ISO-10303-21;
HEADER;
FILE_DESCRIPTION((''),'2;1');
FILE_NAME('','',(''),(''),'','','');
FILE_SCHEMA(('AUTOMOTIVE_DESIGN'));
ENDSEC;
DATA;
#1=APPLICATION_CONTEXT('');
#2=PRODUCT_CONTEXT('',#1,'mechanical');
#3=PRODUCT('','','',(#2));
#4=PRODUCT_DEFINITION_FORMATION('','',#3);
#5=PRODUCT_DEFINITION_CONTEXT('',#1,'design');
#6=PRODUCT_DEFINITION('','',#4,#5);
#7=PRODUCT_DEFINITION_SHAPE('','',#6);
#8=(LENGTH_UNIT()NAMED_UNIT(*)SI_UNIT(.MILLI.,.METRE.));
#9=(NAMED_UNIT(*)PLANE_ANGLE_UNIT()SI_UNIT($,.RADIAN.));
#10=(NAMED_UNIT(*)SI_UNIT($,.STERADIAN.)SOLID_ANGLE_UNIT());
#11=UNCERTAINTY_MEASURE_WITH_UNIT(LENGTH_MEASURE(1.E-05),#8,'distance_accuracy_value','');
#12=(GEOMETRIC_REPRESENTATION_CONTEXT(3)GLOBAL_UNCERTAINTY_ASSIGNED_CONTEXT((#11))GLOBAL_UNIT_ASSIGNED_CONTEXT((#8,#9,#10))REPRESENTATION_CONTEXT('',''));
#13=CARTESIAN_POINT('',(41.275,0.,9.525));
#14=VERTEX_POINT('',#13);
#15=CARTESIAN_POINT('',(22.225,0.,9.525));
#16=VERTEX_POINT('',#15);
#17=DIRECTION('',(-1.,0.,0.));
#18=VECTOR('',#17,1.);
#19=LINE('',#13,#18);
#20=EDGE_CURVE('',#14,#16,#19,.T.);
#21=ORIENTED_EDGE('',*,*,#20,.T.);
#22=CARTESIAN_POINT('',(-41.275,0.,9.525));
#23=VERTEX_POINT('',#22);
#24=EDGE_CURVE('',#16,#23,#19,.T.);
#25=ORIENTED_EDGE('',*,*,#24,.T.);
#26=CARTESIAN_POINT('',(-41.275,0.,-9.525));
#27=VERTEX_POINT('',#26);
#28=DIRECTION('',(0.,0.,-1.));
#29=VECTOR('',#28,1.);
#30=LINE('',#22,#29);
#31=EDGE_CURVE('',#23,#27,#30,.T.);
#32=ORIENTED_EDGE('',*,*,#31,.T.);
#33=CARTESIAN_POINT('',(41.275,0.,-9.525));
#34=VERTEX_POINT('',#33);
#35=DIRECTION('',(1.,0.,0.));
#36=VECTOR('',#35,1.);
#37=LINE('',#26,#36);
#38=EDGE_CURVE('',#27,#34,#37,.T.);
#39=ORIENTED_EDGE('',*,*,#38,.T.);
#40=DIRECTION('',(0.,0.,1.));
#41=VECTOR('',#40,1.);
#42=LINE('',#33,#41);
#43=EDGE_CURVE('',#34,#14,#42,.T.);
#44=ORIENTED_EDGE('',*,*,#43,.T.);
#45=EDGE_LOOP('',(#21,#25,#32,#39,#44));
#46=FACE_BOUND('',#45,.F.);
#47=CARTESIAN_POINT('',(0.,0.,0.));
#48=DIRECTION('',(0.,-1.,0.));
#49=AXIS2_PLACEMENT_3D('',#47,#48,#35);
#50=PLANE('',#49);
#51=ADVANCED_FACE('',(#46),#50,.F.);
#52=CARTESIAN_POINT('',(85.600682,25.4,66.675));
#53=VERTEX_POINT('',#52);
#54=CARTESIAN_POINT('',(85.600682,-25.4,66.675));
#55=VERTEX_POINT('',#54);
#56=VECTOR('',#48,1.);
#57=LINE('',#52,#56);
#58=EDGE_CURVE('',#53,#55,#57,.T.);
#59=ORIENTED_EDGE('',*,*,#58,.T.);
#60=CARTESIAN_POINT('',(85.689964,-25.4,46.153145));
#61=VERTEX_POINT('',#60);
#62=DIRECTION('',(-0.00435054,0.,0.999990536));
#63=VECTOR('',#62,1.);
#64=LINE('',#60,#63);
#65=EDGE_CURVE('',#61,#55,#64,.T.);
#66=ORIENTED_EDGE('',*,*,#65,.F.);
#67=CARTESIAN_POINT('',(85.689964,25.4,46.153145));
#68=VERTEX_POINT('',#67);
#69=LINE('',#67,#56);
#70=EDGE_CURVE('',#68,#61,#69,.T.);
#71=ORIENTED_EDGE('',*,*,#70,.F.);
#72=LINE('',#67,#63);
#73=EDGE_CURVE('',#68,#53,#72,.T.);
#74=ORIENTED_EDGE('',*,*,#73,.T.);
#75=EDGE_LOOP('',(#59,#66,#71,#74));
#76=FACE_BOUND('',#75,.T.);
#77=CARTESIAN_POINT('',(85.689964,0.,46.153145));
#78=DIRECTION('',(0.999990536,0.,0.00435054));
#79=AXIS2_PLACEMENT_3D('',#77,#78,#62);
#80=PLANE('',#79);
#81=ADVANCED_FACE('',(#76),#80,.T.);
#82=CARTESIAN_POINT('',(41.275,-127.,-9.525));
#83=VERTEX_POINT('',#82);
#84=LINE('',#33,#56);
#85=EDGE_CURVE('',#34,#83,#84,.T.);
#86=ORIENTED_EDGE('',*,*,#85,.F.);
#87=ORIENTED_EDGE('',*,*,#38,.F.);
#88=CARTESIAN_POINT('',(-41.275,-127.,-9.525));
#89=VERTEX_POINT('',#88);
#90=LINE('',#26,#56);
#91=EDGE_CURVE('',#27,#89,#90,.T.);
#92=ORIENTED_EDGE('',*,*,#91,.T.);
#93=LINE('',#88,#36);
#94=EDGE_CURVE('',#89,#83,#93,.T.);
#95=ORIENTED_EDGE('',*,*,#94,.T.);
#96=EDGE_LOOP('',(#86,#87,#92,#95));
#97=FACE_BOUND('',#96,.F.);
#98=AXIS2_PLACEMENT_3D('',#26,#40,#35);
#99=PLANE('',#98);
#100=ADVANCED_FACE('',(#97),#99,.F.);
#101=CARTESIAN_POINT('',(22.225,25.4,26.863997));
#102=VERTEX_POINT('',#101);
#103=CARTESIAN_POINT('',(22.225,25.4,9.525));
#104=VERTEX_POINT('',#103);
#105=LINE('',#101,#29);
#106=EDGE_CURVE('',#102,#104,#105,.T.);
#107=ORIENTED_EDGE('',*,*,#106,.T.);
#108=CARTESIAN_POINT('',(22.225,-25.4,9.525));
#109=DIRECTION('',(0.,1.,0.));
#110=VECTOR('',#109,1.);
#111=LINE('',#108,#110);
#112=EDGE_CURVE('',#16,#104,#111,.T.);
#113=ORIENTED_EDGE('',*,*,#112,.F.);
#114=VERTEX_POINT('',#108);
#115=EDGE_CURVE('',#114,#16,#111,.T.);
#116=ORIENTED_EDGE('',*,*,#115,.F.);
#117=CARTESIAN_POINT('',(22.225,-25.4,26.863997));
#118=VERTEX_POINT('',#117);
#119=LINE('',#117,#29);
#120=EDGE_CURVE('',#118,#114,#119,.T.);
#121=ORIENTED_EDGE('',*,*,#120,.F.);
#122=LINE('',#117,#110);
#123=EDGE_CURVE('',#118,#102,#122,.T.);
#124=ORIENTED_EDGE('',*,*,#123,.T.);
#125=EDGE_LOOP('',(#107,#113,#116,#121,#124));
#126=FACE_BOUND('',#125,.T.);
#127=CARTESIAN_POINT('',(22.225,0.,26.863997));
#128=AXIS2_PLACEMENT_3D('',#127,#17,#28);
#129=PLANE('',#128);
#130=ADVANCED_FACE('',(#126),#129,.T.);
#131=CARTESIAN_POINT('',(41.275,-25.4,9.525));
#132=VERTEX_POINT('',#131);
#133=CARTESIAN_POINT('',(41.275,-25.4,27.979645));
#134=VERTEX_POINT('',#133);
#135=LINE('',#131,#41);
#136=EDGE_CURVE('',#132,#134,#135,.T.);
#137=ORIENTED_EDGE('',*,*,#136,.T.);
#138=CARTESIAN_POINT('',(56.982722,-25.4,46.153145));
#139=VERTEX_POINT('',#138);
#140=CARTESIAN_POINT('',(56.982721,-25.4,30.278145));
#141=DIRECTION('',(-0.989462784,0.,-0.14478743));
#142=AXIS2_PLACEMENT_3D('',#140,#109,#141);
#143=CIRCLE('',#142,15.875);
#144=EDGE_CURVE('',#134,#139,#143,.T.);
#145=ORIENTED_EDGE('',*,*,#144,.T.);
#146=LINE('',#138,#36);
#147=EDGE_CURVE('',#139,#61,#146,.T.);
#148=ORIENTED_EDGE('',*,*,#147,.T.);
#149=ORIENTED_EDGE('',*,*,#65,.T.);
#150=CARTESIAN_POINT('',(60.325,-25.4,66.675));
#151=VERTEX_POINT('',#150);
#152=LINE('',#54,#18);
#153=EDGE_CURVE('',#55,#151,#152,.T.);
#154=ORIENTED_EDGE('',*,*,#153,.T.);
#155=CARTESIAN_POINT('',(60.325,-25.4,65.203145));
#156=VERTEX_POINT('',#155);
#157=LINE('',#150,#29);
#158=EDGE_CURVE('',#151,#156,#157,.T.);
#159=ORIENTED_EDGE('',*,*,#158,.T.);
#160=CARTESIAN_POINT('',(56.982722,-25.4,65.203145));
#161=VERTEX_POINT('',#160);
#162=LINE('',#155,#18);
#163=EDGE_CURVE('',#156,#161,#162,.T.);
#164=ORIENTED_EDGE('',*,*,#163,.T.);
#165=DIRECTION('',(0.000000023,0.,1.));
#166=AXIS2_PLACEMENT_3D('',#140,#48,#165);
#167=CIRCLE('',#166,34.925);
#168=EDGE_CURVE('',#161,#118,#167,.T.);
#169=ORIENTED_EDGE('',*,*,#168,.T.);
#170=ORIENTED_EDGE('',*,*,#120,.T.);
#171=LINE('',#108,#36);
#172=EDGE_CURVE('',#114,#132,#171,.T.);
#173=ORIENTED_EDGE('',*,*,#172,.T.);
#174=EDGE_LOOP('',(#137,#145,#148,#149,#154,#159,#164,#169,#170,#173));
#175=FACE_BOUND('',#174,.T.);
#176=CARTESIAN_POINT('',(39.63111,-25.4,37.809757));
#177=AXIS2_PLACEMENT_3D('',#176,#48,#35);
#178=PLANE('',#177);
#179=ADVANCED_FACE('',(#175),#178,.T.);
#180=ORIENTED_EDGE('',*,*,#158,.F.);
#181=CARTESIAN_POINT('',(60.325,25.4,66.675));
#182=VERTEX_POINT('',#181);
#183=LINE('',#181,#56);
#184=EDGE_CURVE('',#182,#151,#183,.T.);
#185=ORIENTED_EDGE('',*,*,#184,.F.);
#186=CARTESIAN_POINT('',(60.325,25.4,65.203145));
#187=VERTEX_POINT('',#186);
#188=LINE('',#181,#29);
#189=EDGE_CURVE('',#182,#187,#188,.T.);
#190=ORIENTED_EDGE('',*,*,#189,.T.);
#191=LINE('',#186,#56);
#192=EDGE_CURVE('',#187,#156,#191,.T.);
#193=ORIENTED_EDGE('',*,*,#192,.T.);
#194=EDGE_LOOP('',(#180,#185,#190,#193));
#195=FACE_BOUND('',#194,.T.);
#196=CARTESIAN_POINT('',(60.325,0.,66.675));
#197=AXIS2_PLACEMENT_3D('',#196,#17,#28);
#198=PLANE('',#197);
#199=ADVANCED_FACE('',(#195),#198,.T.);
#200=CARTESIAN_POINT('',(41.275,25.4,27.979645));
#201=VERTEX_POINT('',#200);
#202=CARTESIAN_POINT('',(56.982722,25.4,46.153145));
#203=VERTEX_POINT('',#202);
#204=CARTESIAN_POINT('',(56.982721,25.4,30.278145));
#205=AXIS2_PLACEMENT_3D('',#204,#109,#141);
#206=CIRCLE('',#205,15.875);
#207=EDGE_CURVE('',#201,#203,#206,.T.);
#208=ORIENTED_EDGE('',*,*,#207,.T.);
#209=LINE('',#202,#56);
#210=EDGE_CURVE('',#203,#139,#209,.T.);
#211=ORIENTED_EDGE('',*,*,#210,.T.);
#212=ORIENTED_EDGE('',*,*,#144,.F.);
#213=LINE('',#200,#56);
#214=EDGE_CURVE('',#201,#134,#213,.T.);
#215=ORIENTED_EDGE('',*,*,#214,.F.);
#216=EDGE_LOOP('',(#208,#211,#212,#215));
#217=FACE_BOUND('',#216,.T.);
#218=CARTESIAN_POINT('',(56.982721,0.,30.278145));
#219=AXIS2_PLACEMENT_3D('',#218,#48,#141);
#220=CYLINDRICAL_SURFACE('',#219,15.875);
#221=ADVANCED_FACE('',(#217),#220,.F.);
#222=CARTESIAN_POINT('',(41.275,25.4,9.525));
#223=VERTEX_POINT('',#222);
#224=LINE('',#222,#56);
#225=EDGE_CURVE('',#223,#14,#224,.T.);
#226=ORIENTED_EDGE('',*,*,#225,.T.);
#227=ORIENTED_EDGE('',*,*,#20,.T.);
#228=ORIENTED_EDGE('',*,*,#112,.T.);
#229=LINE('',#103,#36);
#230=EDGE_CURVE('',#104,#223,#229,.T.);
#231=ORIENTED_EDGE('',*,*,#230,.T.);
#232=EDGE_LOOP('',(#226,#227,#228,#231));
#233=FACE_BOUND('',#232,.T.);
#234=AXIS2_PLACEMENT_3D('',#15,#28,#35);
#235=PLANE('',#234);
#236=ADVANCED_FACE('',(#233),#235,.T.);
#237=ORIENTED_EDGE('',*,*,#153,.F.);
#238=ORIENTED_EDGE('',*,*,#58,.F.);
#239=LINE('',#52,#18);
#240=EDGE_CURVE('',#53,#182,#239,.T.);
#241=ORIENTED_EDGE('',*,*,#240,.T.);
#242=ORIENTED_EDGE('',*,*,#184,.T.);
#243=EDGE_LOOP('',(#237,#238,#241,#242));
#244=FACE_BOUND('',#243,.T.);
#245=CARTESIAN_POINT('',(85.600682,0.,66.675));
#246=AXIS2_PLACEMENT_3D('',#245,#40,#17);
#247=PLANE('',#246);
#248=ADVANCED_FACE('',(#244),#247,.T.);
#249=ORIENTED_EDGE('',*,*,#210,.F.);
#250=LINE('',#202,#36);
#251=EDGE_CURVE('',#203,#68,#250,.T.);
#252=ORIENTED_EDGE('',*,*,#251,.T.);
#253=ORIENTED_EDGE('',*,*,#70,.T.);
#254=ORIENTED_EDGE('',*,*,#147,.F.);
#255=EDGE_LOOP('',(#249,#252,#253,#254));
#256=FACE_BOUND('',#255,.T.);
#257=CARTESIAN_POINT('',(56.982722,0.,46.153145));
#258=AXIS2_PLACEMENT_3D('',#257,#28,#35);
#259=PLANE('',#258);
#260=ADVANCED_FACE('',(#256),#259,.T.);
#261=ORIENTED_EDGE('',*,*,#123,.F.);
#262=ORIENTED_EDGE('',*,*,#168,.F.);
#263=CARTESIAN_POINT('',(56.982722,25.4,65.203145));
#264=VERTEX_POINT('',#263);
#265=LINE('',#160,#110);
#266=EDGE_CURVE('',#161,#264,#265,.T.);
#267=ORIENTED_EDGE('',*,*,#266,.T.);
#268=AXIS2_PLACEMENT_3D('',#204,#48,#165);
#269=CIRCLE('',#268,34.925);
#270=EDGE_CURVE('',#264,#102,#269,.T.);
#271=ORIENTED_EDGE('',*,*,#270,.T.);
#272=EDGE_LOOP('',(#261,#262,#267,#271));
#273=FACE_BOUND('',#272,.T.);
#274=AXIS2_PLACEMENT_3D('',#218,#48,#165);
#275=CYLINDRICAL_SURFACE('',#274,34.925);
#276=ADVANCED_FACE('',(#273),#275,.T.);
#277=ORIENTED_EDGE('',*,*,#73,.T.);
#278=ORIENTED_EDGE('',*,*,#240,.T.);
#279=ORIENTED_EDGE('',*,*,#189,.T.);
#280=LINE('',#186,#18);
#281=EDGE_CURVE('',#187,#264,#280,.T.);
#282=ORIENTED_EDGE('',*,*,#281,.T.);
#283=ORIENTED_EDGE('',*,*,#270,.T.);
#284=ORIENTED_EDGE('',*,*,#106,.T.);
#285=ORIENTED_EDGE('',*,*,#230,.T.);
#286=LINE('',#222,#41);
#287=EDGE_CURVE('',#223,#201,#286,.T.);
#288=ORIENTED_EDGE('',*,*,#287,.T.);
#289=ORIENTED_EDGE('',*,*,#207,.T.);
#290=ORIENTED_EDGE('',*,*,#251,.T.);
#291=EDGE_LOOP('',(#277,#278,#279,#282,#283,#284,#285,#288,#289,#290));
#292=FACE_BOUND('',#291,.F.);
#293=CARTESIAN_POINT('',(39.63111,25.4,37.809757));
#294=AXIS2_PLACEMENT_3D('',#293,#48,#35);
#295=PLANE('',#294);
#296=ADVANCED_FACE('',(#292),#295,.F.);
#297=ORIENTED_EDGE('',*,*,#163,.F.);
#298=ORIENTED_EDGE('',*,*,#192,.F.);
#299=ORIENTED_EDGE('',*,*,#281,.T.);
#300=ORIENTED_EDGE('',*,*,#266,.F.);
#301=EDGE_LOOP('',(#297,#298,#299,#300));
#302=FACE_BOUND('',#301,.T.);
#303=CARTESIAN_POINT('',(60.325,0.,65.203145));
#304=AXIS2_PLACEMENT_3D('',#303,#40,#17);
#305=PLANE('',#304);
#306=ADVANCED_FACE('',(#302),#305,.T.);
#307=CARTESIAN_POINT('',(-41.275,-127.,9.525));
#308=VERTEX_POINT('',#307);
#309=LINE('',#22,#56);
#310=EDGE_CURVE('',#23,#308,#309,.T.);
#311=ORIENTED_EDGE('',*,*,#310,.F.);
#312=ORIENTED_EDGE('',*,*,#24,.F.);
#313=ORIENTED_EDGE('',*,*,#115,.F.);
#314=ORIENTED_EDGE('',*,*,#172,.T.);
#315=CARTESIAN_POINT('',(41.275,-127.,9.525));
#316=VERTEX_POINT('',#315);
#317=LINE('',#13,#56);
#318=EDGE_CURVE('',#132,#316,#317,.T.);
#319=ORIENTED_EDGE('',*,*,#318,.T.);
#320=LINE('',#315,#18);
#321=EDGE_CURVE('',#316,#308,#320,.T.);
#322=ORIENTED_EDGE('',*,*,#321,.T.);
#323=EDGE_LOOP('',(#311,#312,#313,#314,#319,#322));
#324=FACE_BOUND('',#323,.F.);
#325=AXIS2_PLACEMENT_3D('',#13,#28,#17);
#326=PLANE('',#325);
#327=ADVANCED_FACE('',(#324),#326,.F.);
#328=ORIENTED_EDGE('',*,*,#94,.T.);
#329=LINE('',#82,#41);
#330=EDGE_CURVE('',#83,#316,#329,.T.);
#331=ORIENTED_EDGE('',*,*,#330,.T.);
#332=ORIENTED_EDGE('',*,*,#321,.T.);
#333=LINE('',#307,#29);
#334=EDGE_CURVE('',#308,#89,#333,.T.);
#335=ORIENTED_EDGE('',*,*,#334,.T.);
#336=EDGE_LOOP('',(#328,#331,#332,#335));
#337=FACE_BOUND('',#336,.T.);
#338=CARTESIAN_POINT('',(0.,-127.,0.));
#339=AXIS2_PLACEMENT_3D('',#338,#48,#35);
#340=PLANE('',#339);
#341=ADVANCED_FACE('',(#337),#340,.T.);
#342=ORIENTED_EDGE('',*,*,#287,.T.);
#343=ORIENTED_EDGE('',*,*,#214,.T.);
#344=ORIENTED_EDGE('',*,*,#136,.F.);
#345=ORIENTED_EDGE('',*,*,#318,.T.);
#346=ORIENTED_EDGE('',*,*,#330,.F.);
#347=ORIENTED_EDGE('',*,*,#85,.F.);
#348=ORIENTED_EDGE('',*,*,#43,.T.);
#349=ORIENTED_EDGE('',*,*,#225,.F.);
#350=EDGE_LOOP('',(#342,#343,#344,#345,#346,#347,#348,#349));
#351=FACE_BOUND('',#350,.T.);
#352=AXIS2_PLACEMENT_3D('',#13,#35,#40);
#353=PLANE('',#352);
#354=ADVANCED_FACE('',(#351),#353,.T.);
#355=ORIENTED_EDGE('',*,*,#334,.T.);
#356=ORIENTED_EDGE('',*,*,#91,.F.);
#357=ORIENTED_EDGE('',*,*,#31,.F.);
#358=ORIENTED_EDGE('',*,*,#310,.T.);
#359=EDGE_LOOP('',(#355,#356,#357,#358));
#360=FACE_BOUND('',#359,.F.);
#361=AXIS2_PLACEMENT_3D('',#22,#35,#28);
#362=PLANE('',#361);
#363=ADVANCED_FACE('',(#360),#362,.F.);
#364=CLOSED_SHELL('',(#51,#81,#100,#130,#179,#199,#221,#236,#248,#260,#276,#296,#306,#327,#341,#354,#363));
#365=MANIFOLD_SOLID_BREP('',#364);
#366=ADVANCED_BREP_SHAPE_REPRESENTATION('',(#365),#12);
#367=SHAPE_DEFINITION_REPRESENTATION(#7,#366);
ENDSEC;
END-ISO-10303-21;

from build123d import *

# Parameters (mm, degrees)
F1_DEPTH = 127
F2_DEPTH = 25.4


with BuildPart() as f1:
    # F0 (on Front) → F1 (new body)
    with BuildSketch(Plane.XZ):
        Polygon((41.275, -9.525), (41.275, 9.525), (22.225, 9.525), (-41.275, 9.525), (-41.275, -9.525), align=None)
    extrude(amount=F1_DEPTH)

    # F0 (on Front) → F2 (join, symmetric)
    with BuildSketch(Plane.XZ):
        with BuildLine():
            Line((22.225, 9.525), (41.275, 9.525))
            Line((41.275, 9.525), (41.275, 27.979645))
            ThreePointArc((41.275, 27.979645), (44.97222, 40.659064), (56.982722, 46.153145))
            Line((56.982722, 46.153145), (60.325, 46.153145))
            Line((60.325, 46.153145), (60.325, 65.203145))
            Line((60.325, 65.203145), (56.982722, 65.203145))
            ThreePointArc((56.982722, 65.203145), (31.108074, 53.735729), (22.225, 26.863997))
            Line((22.225, 26.863997), (22.225, 9.525))
        make_face()
        Polygon((60.325, 65.203145), (60.325, 46.153145), (85.689964, 46.153145), (85.600682, 66.675), (60.325, 66.675), align=None)
    extrude(amount=F2_DEPTH, both=True)


solid = f1.part
